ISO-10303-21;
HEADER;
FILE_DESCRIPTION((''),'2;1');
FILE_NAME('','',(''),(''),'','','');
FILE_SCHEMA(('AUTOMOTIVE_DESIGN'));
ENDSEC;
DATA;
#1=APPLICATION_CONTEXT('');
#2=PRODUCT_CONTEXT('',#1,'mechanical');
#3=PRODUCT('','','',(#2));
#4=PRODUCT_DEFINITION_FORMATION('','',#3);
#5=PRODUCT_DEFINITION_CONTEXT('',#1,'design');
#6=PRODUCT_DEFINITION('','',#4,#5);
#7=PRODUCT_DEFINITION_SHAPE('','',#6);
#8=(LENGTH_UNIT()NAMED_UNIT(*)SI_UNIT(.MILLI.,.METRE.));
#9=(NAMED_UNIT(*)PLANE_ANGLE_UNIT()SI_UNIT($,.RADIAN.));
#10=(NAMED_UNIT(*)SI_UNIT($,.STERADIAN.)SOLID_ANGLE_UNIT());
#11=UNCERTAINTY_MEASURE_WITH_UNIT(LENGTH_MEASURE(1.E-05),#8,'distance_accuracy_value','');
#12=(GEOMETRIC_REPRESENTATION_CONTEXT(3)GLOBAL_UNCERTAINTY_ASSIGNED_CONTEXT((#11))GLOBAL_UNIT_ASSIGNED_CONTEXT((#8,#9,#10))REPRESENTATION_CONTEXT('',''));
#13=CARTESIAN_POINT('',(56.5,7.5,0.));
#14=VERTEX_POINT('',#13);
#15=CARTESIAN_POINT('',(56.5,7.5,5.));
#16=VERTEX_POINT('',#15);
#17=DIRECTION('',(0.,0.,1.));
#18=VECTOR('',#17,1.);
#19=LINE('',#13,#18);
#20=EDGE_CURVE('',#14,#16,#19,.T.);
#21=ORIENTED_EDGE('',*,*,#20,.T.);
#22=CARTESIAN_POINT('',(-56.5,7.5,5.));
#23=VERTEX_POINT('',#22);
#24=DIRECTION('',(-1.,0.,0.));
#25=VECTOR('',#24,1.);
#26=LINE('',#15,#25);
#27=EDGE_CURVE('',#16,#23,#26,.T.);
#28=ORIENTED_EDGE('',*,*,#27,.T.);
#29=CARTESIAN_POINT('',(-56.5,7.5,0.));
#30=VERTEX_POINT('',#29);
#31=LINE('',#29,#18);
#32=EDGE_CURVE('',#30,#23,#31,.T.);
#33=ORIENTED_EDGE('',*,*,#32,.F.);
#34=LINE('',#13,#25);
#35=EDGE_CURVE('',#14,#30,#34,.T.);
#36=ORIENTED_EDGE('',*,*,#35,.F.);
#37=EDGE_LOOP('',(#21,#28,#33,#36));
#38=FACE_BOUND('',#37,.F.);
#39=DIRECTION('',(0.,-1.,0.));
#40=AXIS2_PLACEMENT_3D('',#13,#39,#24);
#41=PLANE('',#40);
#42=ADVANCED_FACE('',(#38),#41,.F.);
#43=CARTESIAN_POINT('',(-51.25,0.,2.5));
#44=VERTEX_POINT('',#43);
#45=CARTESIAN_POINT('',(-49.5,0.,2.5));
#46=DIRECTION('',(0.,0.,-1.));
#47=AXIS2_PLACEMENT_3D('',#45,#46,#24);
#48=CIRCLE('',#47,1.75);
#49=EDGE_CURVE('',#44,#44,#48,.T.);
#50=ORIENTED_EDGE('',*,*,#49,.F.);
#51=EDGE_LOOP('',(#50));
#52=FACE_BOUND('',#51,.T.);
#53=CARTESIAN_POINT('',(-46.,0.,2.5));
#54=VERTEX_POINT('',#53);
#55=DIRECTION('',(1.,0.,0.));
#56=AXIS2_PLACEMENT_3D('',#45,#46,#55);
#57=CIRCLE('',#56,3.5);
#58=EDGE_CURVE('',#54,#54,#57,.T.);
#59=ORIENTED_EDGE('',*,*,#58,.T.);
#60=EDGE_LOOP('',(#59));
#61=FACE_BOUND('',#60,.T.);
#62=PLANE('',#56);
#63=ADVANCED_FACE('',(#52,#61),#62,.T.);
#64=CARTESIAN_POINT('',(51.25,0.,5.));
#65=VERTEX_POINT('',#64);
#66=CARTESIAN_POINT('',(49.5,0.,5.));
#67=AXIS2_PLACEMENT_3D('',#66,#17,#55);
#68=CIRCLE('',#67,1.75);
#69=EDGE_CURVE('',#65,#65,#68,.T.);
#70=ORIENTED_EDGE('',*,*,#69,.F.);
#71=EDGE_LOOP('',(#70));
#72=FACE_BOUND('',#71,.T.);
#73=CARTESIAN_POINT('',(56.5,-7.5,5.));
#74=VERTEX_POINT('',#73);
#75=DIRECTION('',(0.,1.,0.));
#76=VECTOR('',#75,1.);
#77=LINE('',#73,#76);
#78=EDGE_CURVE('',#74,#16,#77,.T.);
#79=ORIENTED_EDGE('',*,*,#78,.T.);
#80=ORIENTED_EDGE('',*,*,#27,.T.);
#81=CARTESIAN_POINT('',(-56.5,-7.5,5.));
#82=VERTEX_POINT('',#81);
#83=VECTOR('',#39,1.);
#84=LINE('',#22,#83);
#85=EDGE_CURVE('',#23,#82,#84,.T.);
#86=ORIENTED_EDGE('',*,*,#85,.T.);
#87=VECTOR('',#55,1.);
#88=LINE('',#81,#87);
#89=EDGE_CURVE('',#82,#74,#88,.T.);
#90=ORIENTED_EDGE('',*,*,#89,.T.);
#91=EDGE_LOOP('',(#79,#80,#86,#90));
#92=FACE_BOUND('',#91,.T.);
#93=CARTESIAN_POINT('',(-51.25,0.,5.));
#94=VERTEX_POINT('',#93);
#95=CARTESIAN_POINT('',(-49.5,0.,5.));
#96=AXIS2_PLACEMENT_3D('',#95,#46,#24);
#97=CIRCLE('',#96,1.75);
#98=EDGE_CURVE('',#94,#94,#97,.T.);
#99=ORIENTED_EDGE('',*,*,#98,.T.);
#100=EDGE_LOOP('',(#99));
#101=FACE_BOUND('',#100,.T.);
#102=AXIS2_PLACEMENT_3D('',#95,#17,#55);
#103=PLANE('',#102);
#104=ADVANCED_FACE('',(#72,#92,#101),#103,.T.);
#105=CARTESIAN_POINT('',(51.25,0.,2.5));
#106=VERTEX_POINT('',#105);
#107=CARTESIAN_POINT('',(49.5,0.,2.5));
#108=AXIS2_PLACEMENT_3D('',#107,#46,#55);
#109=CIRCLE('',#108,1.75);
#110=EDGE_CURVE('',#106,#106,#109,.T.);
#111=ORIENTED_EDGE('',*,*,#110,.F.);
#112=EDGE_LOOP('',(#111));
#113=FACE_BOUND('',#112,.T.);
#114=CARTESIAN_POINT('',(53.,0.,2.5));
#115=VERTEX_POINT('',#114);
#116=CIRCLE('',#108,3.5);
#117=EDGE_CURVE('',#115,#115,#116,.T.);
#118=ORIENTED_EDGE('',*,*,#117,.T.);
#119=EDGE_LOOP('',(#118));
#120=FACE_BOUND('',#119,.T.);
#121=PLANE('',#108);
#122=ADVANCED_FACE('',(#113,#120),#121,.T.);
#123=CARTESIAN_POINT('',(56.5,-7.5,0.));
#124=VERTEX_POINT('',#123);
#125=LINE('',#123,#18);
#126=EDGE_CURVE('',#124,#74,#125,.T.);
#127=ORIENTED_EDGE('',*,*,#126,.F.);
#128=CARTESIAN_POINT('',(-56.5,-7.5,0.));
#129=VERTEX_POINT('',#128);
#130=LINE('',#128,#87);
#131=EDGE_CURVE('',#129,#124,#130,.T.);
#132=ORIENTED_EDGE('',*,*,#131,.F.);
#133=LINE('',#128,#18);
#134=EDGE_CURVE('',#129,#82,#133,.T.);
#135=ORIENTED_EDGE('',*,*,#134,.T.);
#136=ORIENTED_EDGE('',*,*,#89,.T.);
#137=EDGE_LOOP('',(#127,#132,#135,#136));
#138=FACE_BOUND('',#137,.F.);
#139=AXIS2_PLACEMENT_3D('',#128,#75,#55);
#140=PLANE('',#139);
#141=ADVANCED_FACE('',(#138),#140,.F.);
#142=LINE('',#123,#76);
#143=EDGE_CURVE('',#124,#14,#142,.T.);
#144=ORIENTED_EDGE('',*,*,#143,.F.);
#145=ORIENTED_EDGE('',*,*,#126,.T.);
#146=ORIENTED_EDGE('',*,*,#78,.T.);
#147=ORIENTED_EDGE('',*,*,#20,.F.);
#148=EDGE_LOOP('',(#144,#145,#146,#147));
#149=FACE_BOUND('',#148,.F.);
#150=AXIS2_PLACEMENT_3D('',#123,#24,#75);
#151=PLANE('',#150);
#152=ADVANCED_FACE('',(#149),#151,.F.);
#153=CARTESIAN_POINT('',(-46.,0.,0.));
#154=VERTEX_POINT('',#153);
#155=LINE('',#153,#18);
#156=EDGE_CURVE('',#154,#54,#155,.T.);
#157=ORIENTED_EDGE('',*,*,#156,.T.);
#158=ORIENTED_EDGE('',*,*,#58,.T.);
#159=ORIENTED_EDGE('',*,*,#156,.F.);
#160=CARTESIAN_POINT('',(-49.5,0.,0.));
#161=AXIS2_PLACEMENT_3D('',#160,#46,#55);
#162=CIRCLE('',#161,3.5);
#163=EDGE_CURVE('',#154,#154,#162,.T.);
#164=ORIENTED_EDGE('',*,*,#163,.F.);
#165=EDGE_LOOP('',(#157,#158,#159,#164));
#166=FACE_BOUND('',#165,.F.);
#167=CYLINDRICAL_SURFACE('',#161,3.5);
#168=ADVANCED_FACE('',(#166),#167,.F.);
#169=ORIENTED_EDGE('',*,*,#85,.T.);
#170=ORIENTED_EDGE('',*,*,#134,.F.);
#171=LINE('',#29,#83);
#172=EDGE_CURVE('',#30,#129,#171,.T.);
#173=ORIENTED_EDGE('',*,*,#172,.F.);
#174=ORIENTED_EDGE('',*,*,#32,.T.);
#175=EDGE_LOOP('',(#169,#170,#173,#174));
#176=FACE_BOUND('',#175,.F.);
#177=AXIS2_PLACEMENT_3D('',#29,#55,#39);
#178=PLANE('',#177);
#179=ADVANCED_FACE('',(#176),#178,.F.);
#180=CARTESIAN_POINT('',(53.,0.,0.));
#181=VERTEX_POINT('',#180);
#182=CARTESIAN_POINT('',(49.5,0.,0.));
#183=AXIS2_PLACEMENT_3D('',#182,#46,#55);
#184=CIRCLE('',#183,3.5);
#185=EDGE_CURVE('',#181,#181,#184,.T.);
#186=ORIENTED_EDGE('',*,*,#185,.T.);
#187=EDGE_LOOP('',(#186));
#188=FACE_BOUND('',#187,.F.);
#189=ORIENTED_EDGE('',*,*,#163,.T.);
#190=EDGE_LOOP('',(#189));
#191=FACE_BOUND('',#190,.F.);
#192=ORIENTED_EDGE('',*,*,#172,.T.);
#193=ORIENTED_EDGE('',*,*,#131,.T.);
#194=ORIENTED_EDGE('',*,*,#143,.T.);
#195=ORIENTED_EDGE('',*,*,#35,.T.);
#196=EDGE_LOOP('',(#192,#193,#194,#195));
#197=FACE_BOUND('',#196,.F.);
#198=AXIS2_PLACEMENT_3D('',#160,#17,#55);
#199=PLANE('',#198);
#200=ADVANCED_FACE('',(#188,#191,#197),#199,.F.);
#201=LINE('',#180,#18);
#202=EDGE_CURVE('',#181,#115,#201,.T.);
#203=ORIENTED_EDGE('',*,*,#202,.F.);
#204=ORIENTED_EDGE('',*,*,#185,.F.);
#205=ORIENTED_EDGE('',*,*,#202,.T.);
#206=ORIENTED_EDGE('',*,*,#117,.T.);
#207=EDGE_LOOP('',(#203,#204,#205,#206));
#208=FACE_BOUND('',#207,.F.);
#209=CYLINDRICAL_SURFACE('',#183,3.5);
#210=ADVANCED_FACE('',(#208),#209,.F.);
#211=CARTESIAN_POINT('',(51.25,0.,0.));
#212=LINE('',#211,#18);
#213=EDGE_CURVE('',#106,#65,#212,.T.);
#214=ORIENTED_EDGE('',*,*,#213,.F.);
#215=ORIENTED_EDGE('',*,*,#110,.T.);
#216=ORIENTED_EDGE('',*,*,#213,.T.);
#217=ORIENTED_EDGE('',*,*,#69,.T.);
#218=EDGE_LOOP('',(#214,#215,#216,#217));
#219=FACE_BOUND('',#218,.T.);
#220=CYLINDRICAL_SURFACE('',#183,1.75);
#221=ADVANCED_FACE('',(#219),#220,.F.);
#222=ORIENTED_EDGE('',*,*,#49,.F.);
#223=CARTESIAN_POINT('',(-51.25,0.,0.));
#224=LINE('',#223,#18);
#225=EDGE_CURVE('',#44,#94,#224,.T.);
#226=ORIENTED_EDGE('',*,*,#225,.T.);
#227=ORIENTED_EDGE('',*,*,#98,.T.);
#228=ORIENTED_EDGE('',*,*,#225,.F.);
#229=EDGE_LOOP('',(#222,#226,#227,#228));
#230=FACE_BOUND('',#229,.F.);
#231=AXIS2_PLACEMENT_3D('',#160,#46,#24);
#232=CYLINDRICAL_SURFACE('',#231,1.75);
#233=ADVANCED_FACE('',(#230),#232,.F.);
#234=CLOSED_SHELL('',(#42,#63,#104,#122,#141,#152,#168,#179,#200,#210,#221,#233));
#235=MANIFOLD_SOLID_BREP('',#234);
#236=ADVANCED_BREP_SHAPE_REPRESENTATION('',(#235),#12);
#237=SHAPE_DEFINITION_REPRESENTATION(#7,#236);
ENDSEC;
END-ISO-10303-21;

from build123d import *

# Parameters (mm, degrees)
F0_R     = 1.75
F1_DEPTH = 5
F2_R     = 3.5
F3_DEPTH = 2.5


with BuildPart() as f1:
    # F0 (on Top) → F1 (new body)
    with BuildSketch(Plane.XY):
        with BuildLine():
            ThreePointArc((-47.75, 0), (-49.5, 1.75), (-51.25, 0))
            ThreePointArc((-51.25, 0), (-49.5, -1.75), (-47.75, 0))
        make_face()
        Polygon((-56.5, 0), (-56.5, -7.5), (56.5, -7.5), (56.5, 7.5), (-56.5, 7.5), align=None)
        with BuildLine():
            ThreePointArc((-47.75, 0), (-49.5, -1.75), (-51.25, 0))
            ThreePointArc((-51.25, 0), (-49.5, 1.75), (-47.75, 0))
        make_face(mode=Mode.SUBTRACT)
        with Locations((49.5, 0)):
            Circle(F0_R, mode=Mode.SUBTRACT)
    extrude(amount=F1_DEPTH)

    # F2 (on face) → F3 (cut)
    with BuildSketch(Plane(origin=(0, 0, 0), x_dir=(1, 0, 0), z_dir=(0, 0, -1))):
        with Locations((-49.5, 0)):
            Circle(F2_R)
        with Locations((49.5, 0)):
            Circle(F2_R)
    extrude(amount=-F3_DEPTH, mode=Mode.SUBTRACT)


solid = f1.part
